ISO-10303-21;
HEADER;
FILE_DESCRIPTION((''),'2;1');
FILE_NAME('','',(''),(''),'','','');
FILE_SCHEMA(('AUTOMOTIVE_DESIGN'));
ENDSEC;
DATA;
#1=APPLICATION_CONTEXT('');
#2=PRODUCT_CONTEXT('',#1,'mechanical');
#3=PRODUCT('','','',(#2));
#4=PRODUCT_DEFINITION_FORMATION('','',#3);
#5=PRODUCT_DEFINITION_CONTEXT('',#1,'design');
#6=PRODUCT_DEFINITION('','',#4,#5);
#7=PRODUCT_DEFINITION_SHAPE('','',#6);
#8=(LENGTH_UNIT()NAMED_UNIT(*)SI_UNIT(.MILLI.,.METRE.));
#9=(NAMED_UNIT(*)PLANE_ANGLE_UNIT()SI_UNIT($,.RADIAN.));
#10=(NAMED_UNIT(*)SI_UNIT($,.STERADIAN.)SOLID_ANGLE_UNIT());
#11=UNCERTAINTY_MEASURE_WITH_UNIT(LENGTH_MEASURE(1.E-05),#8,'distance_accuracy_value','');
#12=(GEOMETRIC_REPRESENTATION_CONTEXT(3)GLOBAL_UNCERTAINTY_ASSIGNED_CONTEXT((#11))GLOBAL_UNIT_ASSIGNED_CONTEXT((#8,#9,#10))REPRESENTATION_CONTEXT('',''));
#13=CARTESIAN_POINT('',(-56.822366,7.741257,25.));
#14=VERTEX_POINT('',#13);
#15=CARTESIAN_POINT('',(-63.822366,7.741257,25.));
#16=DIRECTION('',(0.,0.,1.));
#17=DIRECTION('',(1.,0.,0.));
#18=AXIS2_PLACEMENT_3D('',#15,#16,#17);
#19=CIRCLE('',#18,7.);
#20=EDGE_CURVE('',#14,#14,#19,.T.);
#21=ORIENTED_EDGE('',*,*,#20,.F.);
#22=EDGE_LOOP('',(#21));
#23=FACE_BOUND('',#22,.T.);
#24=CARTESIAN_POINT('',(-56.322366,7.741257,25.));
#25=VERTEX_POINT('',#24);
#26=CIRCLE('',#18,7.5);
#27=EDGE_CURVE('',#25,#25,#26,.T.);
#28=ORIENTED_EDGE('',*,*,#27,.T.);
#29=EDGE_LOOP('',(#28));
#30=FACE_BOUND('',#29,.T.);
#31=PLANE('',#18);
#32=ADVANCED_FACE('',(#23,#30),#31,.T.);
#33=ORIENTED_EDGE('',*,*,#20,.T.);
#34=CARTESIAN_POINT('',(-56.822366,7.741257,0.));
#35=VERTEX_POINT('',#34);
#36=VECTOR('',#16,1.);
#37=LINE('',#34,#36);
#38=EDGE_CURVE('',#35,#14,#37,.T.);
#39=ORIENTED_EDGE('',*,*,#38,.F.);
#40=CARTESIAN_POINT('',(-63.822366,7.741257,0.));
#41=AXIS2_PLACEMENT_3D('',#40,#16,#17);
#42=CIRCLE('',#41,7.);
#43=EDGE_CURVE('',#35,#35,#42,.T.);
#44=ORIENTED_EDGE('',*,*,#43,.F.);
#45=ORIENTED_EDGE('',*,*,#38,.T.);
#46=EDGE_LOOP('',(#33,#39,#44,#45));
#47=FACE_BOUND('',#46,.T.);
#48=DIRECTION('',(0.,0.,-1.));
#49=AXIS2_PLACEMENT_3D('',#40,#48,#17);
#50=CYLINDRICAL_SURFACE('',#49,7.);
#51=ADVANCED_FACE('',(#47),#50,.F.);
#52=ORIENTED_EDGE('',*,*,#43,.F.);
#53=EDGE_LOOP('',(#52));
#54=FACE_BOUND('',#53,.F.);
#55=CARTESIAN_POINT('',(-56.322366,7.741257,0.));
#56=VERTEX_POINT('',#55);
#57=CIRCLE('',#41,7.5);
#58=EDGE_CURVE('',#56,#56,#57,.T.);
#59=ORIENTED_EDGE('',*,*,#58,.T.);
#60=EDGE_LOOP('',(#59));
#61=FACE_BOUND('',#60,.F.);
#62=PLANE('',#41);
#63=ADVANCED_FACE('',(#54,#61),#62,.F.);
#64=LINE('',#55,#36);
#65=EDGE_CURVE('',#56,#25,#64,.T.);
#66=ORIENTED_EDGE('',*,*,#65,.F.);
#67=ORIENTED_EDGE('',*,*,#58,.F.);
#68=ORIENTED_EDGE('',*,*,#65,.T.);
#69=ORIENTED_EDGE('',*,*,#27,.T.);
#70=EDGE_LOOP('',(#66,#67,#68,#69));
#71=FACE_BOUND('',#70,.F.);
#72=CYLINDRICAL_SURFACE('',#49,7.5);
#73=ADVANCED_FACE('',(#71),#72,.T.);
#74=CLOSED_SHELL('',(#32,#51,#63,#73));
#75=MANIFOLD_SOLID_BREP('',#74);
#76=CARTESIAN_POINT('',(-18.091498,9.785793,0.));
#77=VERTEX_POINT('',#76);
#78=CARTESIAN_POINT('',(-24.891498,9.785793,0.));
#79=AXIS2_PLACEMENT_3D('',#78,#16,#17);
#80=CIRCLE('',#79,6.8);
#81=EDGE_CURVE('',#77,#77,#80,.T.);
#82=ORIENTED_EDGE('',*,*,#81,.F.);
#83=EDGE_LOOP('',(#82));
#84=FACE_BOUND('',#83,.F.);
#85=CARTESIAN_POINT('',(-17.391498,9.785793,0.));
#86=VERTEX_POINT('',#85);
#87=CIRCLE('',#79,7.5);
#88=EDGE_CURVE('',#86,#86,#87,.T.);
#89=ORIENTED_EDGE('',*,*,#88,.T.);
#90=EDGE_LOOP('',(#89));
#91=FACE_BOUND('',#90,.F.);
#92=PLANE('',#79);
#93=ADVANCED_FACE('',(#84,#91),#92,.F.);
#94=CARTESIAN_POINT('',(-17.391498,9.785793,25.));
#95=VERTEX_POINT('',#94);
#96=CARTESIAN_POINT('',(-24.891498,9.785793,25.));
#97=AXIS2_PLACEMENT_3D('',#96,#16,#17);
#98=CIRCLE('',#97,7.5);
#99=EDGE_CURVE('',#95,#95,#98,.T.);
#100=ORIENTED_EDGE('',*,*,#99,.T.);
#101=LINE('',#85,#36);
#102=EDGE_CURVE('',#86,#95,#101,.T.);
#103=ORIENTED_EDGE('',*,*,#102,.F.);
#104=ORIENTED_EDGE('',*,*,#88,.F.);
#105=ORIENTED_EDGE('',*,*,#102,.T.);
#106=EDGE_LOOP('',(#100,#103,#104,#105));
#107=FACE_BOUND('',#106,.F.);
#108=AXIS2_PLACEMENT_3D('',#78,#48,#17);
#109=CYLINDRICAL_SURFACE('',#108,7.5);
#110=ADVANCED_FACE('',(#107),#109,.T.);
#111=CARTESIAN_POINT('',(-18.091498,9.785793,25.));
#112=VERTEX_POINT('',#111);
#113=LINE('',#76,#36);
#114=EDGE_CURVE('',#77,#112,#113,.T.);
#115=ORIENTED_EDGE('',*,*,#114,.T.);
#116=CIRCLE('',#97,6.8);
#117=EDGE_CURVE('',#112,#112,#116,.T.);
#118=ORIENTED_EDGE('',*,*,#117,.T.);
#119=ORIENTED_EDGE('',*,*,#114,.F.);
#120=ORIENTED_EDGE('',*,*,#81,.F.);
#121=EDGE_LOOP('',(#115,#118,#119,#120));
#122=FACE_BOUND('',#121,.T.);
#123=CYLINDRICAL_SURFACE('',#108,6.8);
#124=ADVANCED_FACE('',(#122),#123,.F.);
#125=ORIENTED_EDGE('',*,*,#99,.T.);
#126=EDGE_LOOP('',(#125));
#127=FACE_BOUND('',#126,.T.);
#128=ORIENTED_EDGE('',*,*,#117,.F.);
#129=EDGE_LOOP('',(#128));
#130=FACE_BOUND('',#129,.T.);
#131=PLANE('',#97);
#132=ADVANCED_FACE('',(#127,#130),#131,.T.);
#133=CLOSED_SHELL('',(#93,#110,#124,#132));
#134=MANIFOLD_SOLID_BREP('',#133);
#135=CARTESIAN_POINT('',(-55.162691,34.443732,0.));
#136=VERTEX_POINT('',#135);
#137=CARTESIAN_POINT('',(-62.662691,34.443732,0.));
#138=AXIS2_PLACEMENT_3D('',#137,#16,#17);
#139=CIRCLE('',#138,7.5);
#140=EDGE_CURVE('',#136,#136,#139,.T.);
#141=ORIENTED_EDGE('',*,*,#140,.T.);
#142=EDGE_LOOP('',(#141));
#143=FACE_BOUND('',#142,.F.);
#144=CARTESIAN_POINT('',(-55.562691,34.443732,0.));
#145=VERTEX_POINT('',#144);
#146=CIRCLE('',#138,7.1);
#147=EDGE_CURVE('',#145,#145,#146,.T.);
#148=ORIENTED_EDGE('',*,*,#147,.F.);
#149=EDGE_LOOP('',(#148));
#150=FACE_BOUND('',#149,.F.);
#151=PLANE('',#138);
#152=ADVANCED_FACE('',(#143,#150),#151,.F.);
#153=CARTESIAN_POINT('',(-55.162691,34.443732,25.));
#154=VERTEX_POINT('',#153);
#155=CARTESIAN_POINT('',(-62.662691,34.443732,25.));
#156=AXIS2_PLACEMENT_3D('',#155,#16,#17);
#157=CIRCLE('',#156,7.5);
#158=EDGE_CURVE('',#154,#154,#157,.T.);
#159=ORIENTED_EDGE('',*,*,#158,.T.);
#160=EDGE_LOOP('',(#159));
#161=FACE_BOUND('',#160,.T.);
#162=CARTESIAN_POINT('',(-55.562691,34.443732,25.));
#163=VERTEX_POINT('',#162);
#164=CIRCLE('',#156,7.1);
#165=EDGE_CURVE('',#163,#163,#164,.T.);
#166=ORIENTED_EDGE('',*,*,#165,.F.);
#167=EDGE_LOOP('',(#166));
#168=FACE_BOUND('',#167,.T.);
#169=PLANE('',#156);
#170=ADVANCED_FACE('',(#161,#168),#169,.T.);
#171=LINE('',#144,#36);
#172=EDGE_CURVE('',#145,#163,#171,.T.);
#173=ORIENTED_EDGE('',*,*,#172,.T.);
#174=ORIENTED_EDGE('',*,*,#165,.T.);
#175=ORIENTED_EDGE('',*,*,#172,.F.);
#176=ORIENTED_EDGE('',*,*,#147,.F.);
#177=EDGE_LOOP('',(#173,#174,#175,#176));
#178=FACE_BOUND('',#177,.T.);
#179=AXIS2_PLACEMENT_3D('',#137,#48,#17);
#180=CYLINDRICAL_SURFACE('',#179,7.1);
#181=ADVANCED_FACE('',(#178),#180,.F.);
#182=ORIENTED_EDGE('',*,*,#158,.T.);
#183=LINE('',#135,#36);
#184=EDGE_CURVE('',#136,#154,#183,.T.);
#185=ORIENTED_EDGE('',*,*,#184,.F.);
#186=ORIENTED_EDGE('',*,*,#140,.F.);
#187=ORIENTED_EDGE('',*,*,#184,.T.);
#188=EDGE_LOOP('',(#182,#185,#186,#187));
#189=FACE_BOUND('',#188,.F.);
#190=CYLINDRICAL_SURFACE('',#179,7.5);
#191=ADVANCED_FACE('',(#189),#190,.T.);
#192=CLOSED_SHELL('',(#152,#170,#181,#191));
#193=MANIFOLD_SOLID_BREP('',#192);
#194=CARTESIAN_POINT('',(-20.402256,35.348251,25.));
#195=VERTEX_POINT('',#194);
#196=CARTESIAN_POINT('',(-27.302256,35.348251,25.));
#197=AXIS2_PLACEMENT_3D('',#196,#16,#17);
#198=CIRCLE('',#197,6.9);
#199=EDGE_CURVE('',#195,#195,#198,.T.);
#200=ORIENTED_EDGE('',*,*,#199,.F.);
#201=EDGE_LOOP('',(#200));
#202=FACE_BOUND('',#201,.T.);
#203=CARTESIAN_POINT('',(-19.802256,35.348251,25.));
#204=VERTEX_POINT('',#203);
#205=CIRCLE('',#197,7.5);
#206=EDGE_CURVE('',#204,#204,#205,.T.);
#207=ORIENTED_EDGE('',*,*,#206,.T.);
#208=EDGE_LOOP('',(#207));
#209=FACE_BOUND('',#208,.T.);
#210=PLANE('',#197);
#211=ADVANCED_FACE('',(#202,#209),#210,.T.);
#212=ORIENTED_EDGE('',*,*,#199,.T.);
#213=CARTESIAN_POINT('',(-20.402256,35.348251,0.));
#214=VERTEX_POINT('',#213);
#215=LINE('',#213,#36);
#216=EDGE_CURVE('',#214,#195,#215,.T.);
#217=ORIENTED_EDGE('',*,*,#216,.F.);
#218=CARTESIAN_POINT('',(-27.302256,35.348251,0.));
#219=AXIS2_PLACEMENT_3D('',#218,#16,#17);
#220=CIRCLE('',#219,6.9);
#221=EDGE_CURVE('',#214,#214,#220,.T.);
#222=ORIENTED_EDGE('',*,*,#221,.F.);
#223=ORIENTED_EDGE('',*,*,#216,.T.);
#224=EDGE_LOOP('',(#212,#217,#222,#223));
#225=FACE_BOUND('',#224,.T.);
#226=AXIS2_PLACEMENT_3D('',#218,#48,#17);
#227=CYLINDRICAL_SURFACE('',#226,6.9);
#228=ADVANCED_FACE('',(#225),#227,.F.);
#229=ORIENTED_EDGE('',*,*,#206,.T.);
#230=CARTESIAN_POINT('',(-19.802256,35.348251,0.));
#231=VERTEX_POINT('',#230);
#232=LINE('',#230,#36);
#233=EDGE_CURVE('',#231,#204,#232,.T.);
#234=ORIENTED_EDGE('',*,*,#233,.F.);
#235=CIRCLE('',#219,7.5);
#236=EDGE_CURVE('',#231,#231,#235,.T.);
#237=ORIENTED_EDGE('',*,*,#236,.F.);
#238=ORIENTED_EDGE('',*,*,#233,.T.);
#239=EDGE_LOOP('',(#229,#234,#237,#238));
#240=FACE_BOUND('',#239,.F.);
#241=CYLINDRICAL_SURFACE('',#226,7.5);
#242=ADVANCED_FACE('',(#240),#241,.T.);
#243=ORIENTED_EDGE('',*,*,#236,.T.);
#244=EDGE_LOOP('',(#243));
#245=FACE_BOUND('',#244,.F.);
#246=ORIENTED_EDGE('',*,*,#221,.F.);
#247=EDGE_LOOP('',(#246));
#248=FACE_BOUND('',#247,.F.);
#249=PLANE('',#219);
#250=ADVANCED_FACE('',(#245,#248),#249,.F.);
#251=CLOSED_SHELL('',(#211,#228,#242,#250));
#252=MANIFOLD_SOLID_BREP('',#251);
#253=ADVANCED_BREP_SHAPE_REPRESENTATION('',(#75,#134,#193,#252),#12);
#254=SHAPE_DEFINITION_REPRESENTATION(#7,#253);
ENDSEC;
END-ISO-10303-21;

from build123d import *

# Parameters (mm, degrees)
F0_R     = 7.5
F0_R_2   = 7.1
F0_R_3   = 7
F0_R_4   = 6.9
F0_R_5   = 6.8
F1_DEPTH = 25


with BuildPart() as f1:
    # F0 (on Top) → F1 (new body)
    with BuildSketch(Plane.XY):
        with Locations((-62.662691, 34.443732)):
            Circle(F0_R)
        with Locations((-62.662691, 34.443732)):
            Circle(F0_R_2, mode=Mode.SUBTRACT)
        with Locations((-63.822366, 7.741257)):
            Circle(F0_R)
        with Locations((-63.822366, 7.741257)):
            Circle(F0_R_3, mode=Mode.SUBTRACT)
        with Locations((-27.302256, 35.348251)):
            Circle(F0_R)
        with Locations((-27.302256, 35.348251)):
            Circle(F0_R_4, mode=Mode.SUBTRACT)
        with Locations((-24.891498, 9.785793)):
            Circle(F0_R)
        with Locations((-24.891498, 9.785793)):
            Circle(F0_R_5, mode=Mode.SUBTRACT)
    extrude(amount=F1_DEPTH)


solid = f1.part
